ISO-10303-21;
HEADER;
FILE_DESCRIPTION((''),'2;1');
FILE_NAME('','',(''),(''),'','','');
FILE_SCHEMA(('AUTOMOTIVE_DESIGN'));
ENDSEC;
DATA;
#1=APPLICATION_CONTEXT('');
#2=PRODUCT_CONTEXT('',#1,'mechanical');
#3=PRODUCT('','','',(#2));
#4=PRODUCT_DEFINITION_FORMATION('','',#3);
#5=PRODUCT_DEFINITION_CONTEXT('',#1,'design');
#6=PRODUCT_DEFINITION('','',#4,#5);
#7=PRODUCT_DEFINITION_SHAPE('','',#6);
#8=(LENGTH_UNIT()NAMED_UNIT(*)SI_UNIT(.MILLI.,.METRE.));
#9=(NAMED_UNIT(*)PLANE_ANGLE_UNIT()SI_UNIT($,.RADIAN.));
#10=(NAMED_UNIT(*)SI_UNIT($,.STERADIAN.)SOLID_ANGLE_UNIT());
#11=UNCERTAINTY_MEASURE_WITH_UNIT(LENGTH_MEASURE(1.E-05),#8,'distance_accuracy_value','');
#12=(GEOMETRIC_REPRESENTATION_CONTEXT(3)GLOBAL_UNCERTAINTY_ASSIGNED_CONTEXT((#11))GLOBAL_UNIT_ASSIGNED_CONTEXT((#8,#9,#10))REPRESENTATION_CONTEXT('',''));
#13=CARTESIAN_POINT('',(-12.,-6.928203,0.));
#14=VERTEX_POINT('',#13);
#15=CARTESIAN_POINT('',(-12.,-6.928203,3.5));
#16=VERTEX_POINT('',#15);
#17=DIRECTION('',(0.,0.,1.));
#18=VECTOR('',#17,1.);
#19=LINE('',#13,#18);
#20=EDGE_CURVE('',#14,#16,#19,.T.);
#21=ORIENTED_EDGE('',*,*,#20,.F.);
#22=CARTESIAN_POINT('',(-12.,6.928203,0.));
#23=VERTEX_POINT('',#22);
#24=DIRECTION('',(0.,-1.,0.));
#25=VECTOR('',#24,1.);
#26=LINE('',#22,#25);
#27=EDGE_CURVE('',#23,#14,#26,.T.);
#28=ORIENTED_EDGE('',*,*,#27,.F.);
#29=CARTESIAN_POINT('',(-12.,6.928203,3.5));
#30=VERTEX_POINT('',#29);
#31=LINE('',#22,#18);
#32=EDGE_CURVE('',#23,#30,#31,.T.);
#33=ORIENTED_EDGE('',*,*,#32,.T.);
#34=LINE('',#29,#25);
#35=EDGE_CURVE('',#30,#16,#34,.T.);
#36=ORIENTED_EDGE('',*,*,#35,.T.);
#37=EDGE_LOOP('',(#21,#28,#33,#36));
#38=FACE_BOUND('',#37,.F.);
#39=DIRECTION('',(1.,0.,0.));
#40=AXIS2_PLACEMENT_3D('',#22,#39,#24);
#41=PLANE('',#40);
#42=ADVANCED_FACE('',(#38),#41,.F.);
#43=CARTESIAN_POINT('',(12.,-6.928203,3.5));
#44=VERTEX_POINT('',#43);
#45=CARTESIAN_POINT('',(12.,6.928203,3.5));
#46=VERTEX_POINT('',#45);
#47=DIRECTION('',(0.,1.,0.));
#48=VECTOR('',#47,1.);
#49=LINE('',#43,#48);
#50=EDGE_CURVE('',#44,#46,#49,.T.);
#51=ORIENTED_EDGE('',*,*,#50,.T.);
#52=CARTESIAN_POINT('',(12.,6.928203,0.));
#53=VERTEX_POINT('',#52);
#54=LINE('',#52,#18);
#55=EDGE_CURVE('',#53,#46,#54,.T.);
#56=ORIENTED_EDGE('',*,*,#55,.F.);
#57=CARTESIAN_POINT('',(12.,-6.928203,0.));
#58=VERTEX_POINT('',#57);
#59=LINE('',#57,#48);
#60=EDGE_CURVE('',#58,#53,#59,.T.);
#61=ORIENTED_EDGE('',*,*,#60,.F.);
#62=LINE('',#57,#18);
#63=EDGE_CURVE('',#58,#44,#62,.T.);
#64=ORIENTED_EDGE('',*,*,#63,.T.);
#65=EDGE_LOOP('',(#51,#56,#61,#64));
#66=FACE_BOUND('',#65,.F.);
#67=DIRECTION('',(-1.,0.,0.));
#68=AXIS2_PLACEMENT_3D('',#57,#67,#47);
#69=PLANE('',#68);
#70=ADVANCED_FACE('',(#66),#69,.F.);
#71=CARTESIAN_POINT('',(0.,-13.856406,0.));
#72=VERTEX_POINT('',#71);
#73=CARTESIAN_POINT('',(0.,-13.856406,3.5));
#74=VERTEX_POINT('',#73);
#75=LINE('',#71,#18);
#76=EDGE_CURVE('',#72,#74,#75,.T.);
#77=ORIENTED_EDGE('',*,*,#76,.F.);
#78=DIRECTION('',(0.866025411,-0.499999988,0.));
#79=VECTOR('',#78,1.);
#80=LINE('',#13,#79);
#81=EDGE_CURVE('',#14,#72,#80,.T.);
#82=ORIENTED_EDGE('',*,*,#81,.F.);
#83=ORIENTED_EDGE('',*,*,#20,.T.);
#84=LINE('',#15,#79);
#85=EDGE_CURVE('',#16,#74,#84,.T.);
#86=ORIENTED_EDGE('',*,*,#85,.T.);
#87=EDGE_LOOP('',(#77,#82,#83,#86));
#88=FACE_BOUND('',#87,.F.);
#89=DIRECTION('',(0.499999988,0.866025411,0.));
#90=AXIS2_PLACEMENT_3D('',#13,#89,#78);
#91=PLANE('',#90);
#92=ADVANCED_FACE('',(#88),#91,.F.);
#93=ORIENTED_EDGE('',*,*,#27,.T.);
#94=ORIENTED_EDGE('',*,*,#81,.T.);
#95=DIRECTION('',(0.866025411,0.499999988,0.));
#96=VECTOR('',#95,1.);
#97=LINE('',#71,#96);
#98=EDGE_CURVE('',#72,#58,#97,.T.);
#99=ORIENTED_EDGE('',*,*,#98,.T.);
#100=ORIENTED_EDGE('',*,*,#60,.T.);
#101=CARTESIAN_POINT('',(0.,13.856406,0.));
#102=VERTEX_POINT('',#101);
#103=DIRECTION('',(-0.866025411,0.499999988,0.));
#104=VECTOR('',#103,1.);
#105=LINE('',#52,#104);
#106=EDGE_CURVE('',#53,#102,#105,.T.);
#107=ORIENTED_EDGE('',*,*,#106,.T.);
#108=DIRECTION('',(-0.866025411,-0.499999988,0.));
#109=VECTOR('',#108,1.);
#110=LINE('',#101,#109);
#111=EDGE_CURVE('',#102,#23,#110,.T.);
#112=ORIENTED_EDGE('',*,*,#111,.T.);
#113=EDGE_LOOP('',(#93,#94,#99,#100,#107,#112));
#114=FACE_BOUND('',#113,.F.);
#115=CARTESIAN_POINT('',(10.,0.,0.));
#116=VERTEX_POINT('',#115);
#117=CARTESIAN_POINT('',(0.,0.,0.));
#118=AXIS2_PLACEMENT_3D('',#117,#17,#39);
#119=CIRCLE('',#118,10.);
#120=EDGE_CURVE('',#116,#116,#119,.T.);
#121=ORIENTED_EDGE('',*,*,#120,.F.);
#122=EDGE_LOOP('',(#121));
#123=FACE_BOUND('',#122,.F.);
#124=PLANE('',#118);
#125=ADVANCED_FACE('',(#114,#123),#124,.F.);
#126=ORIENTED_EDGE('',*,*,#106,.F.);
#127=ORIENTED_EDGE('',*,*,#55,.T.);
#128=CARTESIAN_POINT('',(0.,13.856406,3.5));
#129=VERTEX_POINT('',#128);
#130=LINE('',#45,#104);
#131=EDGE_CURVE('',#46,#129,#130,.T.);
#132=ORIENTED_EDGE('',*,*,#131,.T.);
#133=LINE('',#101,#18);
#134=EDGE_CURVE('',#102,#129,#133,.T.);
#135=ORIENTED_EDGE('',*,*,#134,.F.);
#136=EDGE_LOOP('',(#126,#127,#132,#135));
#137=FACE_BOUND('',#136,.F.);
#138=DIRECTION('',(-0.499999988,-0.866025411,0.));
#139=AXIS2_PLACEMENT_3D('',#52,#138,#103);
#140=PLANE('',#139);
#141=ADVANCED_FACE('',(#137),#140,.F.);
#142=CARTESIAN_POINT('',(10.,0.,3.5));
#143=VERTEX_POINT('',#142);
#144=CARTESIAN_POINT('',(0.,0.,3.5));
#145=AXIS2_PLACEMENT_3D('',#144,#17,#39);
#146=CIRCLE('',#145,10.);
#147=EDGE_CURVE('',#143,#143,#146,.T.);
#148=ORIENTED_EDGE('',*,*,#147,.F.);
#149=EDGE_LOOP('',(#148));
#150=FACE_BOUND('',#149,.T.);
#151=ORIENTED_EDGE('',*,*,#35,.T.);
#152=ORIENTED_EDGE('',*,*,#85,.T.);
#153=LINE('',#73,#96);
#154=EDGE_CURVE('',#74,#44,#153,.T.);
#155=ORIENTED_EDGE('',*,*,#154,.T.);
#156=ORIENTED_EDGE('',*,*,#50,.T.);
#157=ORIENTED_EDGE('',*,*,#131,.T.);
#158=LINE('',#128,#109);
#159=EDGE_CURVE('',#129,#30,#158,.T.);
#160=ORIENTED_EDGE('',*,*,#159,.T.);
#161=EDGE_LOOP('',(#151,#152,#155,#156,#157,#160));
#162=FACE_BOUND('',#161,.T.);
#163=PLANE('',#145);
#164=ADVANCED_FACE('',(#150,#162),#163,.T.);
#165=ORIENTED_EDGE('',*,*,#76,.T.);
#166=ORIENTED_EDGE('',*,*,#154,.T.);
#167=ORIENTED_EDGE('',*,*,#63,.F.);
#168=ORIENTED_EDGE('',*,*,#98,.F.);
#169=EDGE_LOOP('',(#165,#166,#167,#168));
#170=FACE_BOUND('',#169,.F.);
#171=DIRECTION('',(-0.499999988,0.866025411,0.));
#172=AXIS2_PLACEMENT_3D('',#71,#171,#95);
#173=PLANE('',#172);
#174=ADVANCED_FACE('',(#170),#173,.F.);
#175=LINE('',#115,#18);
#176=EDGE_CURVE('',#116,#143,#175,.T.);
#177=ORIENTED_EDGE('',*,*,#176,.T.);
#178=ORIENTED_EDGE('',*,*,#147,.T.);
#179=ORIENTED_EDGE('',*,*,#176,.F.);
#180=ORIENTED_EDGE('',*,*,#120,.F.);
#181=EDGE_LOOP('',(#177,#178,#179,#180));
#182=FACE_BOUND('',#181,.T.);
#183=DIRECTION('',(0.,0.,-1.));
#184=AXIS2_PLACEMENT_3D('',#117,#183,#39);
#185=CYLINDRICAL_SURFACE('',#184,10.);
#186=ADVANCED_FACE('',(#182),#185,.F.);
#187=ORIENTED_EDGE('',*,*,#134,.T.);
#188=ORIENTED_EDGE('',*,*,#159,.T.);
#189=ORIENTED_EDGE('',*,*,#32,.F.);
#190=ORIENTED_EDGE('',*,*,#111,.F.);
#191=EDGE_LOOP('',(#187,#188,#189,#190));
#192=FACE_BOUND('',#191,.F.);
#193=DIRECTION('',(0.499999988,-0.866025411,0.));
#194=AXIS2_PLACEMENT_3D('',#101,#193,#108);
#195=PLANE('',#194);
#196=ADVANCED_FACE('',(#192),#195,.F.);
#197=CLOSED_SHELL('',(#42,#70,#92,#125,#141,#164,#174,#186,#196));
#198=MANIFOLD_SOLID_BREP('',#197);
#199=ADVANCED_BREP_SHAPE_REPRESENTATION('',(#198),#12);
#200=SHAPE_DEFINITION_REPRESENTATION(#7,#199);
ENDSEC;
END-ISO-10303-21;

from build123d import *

# Parameters (mm, degrees)
SKETCH_R  = 10
PAD_DEPTH = 3.5


with BuildPart() as part:
    # Sketch → Pad (new body)
    with BuildSketch(Plane.XY):
        Polygon((0, 13.856406), (-12, 6.928203), (-12, -6.928203), (0, -13.856406), (12, -6.928203), (12, 6.928203), align=None)
        Circle(SKETCH_R, mode=Mode.SUBTRACT)
    extrude(amount=PAD_DEPTH)


solid = part.part
